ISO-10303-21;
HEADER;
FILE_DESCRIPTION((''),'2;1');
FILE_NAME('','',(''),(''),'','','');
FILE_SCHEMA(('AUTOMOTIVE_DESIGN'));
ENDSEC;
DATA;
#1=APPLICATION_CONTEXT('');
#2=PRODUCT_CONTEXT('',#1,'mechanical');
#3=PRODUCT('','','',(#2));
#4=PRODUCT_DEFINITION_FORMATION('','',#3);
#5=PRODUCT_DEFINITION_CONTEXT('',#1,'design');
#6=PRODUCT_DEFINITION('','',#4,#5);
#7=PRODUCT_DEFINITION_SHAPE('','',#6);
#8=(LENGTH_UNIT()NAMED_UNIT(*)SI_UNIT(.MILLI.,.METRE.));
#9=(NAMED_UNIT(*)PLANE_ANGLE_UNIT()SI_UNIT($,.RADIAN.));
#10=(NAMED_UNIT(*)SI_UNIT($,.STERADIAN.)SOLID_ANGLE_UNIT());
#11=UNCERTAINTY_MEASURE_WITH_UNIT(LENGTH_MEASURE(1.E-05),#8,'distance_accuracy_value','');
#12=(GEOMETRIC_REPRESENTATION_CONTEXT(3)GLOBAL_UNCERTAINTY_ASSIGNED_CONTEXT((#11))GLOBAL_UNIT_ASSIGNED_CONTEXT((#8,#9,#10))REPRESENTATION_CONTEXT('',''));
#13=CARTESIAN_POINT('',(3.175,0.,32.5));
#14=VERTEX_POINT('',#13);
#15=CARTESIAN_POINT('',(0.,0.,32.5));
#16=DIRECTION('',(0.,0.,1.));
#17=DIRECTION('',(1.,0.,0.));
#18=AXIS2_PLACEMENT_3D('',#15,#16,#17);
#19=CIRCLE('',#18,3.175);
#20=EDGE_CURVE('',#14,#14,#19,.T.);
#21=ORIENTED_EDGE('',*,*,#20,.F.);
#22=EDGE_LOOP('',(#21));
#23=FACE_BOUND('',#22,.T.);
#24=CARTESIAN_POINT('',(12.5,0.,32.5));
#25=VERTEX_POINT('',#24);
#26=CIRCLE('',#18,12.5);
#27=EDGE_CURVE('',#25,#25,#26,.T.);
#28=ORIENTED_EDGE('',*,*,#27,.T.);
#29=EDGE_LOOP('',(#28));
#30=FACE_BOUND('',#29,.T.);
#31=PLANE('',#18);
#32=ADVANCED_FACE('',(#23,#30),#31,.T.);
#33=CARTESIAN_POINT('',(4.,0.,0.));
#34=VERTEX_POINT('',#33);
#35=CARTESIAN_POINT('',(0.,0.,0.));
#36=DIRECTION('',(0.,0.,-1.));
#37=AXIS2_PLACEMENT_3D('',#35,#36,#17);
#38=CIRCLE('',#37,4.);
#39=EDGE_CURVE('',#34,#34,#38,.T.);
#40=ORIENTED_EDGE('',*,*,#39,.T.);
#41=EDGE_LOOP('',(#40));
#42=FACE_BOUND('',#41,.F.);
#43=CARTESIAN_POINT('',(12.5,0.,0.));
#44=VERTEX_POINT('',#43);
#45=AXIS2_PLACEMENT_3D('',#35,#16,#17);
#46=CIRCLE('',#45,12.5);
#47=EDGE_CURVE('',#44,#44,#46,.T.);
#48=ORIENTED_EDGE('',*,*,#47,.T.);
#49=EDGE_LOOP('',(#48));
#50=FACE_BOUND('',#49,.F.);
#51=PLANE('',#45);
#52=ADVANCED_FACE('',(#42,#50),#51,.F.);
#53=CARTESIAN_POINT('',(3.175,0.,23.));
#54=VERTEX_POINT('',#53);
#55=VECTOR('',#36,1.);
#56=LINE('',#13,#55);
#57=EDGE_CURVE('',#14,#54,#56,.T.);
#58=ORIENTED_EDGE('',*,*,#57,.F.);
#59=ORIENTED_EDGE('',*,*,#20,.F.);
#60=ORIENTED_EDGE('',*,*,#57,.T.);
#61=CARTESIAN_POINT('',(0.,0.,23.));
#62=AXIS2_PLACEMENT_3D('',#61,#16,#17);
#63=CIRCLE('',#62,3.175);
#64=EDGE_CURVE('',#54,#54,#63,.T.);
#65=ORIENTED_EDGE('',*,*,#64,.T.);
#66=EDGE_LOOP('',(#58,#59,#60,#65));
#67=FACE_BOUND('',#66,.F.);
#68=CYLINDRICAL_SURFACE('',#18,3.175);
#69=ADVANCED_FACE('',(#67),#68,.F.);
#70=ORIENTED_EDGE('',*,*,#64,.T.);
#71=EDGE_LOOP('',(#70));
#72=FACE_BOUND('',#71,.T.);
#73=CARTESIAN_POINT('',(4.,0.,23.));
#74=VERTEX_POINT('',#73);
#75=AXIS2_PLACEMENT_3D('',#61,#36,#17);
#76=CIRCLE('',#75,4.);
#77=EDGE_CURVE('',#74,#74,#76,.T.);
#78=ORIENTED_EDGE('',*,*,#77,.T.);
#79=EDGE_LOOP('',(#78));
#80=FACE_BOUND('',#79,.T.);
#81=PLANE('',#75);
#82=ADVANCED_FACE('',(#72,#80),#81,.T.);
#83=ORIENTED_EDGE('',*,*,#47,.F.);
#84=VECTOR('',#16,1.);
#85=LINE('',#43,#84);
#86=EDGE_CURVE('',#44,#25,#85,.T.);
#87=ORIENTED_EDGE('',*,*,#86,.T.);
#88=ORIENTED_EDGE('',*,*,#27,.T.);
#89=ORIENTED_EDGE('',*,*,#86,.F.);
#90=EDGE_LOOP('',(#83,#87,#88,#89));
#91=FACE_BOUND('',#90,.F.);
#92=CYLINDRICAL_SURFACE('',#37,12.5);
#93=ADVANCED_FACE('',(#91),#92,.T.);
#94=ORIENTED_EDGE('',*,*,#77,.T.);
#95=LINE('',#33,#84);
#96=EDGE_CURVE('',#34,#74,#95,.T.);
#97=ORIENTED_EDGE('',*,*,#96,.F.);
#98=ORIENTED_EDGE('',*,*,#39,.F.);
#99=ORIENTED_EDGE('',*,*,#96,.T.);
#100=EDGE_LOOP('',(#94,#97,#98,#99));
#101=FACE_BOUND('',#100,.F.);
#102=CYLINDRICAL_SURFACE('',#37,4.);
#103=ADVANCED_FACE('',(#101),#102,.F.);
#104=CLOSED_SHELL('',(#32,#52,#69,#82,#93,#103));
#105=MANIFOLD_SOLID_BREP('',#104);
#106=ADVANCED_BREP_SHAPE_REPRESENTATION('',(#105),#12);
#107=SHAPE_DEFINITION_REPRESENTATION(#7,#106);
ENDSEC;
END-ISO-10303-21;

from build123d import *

# Parameters (mm, degrees)
CYLINDER_R      = 12.5
CYLINDER_DEPTH  = 32.5
SKETCH_R        = 3.175
POCKET_DEPTH    = 10
SKETCH001_R     = 4
POCKET001_DEPTH = 23


with BuildPart() as part:
    # Cylinder → Cylinder (new body)
    with BuildSketch(Plane.XY):
        Circle(CYLINDER_R)
    extrude(amount=CYLINDER_DEPTH)

    # Sketch → Pocket (cut)
    with BuildSketch(Plane.XY.offset(32.5)):
        Circle(SKETCH_R)
    extrude(amount=-POCKET_DEPTH, mode=Mode.SUBTRACT)

    # Sketch001 → Pocket001 (cut)
    with BuildSketch(Plane(origin=(0, 0, 0), x_dir=(1, 0, 0), z_dir=(0, 0, -1))):
        Circle(SKETCH001_R)
    extrude(amount=-POCKET001_DEPTH, mode=Mode.SUBTRACT)


solid = part.part
